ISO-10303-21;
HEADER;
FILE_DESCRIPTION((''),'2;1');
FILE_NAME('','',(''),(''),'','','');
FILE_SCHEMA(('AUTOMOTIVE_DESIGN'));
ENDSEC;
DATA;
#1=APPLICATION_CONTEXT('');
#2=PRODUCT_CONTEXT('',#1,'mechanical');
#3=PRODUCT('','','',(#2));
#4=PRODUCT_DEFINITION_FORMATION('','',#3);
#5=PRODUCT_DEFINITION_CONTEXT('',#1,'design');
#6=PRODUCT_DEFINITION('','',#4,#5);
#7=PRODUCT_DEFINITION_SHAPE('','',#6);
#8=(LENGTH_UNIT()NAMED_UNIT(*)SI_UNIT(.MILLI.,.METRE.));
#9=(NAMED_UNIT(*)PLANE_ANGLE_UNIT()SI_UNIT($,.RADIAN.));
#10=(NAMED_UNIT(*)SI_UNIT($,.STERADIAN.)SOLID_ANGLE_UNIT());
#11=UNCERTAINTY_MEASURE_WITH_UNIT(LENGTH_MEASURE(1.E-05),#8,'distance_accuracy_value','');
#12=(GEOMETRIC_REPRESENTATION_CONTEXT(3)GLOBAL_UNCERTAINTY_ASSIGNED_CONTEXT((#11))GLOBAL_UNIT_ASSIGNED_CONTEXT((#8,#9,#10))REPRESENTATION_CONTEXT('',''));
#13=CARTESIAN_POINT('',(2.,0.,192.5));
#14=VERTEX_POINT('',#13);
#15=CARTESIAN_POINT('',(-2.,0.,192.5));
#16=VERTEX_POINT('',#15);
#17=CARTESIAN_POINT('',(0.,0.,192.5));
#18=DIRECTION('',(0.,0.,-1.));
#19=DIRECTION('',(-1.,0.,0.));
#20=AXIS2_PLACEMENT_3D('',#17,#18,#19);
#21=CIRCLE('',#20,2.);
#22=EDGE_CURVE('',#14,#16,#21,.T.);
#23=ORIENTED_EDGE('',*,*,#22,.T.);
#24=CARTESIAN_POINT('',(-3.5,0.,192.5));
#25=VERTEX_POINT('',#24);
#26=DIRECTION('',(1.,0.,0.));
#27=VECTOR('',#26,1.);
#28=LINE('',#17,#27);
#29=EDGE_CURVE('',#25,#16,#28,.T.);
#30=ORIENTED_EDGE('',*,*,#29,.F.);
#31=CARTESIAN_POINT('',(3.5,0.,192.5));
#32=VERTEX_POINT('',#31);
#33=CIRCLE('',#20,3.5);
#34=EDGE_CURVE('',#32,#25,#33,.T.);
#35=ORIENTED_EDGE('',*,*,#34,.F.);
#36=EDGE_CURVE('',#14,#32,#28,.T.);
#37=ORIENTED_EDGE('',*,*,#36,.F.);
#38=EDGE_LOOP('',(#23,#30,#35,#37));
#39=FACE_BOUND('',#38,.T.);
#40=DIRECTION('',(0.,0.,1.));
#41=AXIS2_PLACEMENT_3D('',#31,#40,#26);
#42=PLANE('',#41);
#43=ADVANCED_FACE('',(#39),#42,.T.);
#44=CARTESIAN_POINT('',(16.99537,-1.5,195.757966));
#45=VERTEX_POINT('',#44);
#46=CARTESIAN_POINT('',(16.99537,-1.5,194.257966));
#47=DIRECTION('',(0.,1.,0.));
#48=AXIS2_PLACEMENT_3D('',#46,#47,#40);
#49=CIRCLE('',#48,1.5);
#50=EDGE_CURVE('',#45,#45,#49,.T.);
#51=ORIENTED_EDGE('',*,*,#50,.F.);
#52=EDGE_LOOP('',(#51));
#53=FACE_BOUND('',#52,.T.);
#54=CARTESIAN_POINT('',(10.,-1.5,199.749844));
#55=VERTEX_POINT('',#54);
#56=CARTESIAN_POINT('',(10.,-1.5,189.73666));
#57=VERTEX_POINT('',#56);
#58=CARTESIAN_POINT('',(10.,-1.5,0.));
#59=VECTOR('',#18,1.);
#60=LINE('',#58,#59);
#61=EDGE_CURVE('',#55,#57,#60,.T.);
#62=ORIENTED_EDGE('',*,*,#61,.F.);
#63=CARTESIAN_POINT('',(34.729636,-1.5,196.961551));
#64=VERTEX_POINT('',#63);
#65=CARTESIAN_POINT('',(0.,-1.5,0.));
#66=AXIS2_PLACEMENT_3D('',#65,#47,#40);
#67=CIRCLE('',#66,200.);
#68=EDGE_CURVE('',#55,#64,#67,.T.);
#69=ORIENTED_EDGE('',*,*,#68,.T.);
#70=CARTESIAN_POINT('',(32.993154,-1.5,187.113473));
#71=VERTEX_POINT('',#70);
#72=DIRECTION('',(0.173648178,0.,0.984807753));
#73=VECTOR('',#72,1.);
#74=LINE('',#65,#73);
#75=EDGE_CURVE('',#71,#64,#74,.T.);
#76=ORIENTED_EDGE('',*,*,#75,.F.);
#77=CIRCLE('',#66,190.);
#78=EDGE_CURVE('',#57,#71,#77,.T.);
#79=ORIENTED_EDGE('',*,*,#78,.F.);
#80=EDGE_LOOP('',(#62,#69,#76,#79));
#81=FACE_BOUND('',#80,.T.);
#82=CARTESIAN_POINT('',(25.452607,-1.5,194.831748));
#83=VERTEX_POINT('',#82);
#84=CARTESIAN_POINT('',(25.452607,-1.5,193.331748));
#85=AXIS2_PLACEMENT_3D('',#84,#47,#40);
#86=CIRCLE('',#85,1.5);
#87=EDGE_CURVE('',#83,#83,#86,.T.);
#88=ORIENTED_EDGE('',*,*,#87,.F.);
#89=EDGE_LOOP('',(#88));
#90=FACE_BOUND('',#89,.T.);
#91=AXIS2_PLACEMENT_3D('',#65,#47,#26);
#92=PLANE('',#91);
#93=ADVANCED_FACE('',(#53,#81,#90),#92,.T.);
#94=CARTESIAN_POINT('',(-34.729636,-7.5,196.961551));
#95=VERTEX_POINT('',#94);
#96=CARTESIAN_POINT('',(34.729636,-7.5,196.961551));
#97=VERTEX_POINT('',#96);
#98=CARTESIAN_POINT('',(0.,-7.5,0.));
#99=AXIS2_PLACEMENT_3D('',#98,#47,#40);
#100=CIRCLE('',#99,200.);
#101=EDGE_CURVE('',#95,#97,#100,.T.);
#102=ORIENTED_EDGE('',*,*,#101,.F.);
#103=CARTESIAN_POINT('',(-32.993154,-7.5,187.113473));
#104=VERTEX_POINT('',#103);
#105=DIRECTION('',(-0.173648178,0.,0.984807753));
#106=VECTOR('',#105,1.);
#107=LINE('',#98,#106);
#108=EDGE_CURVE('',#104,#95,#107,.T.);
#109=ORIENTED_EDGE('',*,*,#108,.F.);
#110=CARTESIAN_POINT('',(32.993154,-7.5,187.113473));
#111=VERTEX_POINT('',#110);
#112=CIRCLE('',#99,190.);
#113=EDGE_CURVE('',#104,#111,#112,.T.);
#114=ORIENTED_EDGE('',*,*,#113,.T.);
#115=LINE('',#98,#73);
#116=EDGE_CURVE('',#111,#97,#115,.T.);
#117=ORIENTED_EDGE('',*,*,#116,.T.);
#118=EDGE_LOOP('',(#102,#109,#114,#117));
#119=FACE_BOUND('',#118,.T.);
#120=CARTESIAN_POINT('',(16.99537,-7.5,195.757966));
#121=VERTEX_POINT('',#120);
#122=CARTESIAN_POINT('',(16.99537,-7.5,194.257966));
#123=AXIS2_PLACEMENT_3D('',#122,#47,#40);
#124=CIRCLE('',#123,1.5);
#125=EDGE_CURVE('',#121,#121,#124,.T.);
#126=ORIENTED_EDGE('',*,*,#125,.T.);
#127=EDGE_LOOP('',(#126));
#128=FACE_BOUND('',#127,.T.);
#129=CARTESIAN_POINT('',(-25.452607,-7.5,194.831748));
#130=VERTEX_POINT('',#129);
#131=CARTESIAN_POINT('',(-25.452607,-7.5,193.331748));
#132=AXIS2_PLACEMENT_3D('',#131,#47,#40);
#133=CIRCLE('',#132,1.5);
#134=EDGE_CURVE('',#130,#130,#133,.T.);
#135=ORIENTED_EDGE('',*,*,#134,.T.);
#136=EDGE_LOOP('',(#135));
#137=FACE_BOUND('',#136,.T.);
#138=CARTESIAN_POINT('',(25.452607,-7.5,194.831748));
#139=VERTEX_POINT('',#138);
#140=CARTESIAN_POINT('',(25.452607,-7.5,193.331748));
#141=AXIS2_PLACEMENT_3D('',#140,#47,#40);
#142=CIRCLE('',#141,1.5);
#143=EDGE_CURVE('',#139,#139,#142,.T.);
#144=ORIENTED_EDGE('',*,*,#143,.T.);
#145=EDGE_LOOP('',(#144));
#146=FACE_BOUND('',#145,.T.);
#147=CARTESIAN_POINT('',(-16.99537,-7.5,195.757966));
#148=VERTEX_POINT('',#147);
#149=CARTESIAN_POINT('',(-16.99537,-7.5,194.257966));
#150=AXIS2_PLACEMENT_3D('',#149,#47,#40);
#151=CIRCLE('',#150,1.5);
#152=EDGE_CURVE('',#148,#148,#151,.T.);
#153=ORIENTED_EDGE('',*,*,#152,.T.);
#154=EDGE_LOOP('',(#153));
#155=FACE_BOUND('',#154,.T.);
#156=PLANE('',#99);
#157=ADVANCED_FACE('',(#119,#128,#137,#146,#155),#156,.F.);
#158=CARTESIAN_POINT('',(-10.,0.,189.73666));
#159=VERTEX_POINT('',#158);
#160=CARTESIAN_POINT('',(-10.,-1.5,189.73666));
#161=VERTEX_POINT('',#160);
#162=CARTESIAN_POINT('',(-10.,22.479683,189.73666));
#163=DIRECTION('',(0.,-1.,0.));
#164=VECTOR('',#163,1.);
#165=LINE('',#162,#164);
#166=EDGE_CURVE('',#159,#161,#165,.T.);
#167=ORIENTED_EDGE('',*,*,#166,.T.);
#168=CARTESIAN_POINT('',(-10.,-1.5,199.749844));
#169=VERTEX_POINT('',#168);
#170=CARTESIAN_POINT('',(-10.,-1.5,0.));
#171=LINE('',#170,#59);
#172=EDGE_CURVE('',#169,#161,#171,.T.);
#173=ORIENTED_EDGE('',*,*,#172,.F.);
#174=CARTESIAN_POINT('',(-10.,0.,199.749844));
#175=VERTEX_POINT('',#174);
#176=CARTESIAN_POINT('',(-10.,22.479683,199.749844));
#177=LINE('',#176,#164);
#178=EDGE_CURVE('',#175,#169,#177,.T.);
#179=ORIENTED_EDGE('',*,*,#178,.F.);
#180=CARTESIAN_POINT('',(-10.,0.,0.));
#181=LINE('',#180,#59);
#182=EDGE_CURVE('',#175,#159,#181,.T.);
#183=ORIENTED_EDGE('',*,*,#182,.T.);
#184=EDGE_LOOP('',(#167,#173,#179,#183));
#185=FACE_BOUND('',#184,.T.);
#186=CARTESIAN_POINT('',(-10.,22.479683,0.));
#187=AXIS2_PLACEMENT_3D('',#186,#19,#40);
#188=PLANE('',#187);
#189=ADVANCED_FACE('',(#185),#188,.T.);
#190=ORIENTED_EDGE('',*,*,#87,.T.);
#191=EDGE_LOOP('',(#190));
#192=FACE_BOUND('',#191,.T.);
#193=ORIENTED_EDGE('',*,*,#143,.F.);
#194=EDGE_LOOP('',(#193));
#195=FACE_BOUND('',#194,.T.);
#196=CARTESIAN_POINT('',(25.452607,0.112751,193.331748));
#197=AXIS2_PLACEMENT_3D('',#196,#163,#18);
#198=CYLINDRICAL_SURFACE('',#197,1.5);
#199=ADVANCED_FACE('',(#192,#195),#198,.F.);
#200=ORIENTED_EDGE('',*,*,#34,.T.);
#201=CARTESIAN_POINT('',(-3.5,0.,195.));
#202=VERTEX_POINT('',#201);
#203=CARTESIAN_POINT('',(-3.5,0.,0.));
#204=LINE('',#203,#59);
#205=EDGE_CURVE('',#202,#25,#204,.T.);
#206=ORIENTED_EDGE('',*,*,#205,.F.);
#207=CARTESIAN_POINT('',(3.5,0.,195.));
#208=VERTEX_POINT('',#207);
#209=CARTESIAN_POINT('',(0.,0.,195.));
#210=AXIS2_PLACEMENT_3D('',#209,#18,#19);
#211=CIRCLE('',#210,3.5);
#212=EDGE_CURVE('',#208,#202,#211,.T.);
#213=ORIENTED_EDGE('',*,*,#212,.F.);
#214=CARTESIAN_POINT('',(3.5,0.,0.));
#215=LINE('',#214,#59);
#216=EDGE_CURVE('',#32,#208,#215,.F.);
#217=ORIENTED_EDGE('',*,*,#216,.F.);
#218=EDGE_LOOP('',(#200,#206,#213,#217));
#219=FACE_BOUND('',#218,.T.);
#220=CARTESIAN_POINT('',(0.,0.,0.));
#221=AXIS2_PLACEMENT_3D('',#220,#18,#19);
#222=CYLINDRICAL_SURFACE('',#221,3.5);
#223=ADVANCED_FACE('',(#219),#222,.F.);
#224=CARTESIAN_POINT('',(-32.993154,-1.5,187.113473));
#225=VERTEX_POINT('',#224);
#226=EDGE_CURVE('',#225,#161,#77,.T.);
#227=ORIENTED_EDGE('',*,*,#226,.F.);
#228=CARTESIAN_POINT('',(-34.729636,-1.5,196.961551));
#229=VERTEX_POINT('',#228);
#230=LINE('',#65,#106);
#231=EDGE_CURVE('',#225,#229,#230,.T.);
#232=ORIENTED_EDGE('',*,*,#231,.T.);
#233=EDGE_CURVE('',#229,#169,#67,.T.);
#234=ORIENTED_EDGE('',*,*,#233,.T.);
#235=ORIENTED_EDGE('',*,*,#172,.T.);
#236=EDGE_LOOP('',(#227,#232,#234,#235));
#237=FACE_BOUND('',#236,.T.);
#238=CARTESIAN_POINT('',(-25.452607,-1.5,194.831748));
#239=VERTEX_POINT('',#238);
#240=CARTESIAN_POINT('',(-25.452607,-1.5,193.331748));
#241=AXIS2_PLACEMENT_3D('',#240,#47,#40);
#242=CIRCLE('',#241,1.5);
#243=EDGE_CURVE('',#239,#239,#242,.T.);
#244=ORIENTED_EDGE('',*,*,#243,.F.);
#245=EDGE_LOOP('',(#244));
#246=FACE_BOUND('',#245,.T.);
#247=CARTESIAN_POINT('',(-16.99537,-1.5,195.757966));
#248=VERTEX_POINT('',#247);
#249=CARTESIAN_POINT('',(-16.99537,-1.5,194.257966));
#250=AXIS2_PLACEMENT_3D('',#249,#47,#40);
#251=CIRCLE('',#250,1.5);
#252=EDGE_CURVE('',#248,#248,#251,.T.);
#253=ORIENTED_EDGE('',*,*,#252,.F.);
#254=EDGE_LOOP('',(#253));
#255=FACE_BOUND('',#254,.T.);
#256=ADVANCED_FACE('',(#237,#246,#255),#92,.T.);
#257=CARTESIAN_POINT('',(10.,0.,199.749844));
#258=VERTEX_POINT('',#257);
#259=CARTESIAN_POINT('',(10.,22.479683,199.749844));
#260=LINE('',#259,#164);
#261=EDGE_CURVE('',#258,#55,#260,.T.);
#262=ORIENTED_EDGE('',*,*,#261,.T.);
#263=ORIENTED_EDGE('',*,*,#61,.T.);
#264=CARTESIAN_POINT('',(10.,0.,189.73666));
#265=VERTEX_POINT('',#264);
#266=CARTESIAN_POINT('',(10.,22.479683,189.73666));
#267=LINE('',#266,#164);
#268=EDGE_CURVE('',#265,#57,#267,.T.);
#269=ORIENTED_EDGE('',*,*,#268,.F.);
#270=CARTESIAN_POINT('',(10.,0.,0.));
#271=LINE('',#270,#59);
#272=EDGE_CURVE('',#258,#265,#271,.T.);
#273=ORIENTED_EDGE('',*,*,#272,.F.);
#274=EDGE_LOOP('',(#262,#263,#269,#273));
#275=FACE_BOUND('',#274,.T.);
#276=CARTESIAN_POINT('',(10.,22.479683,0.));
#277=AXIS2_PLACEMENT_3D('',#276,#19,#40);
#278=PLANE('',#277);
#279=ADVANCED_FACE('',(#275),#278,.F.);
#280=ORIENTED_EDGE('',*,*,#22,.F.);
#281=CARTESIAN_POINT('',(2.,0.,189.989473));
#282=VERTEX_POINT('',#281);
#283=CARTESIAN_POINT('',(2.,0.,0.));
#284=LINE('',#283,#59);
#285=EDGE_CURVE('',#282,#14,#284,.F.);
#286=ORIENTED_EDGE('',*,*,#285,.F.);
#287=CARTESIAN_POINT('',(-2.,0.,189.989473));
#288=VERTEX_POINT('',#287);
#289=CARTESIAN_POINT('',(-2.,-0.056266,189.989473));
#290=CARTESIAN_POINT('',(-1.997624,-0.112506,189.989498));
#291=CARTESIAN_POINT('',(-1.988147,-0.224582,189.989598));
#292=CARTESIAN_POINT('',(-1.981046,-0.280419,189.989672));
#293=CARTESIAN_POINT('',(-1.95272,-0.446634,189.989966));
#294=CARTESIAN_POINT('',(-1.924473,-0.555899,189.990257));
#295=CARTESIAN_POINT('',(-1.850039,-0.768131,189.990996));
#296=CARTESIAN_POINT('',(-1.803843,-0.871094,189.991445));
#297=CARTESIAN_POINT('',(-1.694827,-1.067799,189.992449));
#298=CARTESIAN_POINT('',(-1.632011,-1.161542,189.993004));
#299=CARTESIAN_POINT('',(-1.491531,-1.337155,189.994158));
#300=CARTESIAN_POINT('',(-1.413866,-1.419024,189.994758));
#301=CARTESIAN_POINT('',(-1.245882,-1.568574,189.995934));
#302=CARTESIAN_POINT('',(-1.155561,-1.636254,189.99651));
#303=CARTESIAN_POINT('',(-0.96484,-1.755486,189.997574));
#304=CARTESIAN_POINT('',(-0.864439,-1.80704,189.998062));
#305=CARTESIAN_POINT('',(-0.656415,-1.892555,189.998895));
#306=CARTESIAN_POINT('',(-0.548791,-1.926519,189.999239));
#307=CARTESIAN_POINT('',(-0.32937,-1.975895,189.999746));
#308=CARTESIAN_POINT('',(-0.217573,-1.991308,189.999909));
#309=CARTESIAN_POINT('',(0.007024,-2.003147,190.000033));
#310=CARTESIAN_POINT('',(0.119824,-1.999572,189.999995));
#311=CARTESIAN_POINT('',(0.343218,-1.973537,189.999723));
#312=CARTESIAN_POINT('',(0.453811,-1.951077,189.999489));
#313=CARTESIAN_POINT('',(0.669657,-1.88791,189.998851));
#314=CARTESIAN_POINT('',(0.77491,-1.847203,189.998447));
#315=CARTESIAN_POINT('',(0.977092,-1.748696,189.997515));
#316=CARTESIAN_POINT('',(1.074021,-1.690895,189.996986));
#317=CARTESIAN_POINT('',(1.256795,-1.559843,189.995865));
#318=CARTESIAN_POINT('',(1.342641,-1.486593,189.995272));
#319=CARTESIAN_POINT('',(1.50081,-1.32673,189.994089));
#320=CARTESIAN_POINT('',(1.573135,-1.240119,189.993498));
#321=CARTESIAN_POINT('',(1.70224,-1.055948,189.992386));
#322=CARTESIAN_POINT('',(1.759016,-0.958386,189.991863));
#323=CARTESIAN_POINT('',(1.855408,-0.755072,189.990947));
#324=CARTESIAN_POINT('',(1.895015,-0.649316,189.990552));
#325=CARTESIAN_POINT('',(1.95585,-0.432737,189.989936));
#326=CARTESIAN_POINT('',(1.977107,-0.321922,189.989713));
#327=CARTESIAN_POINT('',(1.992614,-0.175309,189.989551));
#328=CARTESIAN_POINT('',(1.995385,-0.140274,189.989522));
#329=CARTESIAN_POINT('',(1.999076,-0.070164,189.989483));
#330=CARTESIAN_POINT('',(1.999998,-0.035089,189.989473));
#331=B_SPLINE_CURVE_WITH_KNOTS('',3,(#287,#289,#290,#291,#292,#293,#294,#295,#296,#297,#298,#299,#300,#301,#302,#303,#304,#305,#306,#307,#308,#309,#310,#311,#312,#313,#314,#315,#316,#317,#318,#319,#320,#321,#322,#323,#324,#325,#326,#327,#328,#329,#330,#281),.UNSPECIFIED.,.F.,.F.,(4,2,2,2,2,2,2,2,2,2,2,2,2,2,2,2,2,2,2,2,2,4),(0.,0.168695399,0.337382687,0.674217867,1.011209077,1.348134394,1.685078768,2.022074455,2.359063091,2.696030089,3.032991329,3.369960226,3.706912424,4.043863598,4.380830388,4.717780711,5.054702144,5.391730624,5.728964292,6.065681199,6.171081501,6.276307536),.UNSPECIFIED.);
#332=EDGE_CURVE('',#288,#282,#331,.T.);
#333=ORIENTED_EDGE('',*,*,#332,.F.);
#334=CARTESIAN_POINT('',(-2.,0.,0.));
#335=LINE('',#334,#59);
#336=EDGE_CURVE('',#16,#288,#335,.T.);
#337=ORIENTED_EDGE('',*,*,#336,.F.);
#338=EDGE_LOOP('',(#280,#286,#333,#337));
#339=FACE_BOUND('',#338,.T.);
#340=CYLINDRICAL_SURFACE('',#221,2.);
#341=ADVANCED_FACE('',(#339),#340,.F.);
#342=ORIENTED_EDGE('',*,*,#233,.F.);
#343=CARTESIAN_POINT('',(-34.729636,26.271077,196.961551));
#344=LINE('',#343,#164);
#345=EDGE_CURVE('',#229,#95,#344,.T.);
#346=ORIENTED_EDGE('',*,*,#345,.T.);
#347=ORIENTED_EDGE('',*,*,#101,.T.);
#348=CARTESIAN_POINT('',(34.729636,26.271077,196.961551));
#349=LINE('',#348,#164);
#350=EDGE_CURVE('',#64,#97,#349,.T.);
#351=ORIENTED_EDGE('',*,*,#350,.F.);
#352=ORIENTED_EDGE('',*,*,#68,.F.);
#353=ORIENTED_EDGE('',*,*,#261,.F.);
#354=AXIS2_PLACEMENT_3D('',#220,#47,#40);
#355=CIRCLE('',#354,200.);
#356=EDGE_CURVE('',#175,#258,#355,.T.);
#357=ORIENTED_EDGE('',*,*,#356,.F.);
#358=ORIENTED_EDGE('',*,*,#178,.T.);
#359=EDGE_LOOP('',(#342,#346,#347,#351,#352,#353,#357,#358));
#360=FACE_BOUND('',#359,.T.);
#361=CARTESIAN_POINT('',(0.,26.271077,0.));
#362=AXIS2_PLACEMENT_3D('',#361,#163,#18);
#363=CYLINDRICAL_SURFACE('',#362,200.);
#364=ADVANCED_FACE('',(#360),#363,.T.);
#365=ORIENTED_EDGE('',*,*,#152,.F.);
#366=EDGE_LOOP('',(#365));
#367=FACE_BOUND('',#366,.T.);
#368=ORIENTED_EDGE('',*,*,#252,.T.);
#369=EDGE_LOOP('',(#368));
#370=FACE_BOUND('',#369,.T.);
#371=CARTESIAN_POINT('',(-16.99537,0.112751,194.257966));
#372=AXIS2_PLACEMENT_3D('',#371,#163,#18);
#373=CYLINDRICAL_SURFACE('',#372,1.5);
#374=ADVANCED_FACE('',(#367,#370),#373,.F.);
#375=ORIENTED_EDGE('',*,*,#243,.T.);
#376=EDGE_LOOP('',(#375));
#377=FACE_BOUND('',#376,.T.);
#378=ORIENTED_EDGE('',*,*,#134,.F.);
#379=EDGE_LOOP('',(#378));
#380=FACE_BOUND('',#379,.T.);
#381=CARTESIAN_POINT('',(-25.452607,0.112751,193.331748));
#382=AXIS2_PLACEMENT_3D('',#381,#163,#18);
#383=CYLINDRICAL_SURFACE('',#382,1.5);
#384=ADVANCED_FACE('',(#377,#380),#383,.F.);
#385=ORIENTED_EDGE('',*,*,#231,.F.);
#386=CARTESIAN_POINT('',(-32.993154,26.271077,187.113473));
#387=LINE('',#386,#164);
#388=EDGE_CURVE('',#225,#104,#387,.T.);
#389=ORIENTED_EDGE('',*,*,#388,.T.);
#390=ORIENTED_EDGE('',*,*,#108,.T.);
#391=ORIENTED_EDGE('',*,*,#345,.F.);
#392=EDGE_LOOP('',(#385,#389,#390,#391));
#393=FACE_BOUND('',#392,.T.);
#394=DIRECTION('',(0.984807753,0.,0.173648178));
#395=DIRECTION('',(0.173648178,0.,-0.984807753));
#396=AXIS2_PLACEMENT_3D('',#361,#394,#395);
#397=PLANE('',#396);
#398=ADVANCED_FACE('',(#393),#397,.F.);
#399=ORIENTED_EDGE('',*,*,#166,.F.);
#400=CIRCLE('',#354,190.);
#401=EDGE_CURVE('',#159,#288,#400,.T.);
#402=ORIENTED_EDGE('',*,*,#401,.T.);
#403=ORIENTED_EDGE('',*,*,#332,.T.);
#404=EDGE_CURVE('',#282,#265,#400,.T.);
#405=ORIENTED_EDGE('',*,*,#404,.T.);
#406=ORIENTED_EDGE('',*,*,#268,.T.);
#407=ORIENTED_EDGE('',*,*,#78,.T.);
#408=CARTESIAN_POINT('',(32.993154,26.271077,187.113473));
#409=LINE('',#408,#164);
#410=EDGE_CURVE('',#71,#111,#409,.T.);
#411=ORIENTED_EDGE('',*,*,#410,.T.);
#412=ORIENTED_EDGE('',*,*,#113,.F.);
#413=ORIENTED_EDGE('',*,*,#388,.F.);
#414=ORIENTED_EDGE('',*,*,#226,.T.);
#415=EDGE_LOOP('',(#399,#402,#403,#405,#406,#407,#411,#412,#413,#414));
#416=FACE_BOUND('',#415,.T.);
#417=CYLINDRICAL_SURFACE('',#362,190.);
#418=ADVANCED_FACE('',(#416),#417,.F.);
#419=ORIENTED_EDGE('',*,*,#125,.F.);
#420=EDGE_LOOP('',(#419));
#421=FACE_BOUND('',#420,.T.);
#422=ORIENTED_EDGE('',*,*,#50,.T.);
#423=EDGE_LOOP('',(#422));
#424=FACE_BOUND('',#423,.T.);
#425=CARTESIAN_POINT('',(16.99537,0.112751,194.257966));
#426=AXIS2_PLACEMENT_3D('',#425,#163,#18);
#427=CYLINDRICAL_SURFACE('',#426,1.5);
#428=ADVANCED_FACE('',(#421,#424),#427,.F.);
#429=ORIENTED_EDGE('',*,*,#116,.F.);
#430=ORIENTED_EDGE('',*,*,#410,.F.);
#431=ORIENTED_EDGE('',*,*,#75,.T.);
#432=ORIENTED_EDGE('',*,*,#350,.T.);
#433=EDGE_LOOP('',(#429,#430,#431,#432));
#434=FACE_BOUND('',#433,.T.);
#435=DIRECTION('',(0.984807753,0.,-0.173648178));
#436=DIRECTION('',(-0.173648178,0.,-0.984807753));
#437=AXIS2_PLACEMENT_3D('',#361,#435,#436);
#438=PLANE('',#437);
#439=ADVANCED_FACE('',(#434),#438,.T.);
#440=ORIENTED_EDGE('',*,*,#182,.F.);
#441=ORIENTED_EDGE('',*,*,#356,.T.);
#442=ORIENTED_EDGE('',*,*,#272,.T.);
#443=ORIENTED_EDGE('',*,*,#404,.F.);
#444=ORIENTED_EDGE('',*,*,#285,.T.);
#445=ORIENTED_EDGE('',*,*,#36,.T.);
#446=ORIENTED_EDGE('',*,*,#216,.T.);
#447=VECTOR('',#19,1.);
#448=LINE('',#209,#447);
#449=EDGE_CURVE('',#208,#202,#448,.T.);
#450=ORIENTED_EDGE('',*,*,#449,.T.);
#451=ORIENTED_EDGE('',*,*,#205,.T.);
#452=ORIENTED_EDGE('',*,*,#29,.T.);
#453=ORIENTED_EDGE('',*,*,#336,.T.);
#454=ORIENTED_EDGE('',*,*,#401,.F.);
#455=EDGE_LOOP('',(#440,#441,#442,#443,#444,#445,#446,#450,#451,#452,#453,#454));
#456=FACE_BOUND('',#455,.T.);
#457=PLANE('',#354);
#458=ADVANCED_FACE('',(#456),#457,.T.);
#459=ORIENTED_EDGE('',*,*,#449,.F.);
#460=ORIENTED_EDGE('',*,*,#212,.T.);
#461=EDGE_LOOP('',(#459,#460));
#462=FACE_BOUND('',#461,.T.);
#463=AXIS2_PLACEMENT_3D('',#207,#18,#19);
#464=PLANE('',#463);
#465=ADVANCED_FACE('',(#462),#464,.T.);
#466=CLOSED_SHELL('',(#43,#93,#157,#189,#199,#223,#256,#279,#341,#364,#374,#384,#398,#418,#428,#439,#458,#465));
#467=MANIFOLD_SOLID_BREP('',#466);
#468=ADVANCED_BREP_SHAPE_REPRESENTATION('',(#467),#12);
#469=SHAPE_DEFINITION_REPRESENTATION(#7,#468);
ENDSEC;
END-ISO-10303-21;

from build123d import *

# Parameters (mm, degrees)
BOSS_EXTRUDE3_DEPTH     = 6
BOSS_EXTRUDE3_2_DEPTH   = 6
BOSS_EXTRUDE4_DEPTH     = 7.5
CUT_EXTRUDE1_DEPTH      = 204.131478569
CUT_EXTRUDE1_DEPTH_BACK = 204.131478569
SKETCH4_R               = 1.5


with BuildPart() as part:
    # Sketch2 → Boss-Extrude3 (new body)
    with BuildSketch(Plane(origin=(0, -7.5, 0), x_dir=(1, 0, 0), z_dir=(0, 1, 0))):
        with BuildLine():
            ThreePointArc((-10, -189.73665961), (-21.536552519, -188.775466906), (-32.993153757, -187.113473072))
            Line((-32.993153757, -187.113473072), (-34.729635533, -196.961550602))
            ThreePointArc((-34.729635533, -196.961550602), (-22.408228804, -198.7407137), (-10, -199.749843554))
            Line((-10, -199.749843554), (-10, -189.73665961))
        make_face()
    extrude(amount=BOSS_EXTRUDE3_DEPTH)



with BuildPart() as body_2:
    # Sketch2 → Boss-Extrude3 2 (new body)
    with BuildSketch(Plane(origin=(0, -7.5, 0), x_dir=(1, 0, 0), z_dir=(0, 1, 0))):
        with BuildLine():
            ThreePointArc((32.993153757, -187.113473072), (21.536552519, -188.775466906), (10, -189.73665961))
            Line((10, -189.73665961), (10, -199.749843554))
            ThreePointArc((10, -199.749843554), (22.408228804, -198.7407137), (34.729635533, -196.961550602))
            Line((34.729635533, -196.961550602), (32.993153757, -187.113473072))
        make_face()
    extrude(amount=BOSS_EXTRUDE3_2_DEPTH)


with BuildPart() as part_1:
    add(part.part)

    add(body_2.part)  # Boss-Extrude4 merges body 2
    # Sketch2<3> → Boss-Extrude4 (add)
    with BuildSketch(Plane(origin=(0, -7.5, 0), x_dir=(1, 0, 0), z_dir=(0, 1, 0))):
        with BuildLine():
            ThreePointArc((10, -189.73665961), (0, -190), (-10, -189.73665961))
            Line((-10, -189.73665961), (-10, -199.749843554))
            ThreePointArc((-10, -199.749843554), (0, -200), (10, -199.749843554))
            Line((10, -199.749843554), (10, -189.73665961))
        make_face()
    extrude(amount=BOSS_EXTRUDE4_DEPTH)

    # Sketch3 → hole (revolve, cut)
    with BuildSketch(Plane(origin=(0, 0, 0), x_dir=(1, 0, 0), z_dir=(0, 1, 0))):
        Polygon((3.5, -192.5), (2, -192.5), (2, -180), (0, -180), (0, -195), (3.5, -195), align=None)
    revolve(axis=Axis((0, 0, 0), (0, 0, 1)), mode=Mode.SUBTRACT)

    # Sketch4 → Cut-Extrude1 (cut, two sides: drawn at the far end of the back side and taken through both)
    with BuildSketch(Plane.XZ.offset(7.5).offset(-CUT_EXTRUDE1_DEPTH_BACK)):
        with Locations(Location((25.452607483, 193.331747968, 0), (0, 0, 90))):
            Circle(SKETCH4_R)
        with Locations(Location((16.995369836, 194.257966128, 0), (0, 0, 90))):
            Circle(SKETCH4_R)
        with Locations(Location((-25.452607483, 193.331747968, 0), (0, 0, 90))):
            Circle(SKETCH4_R)
        with Locations(Location((-16.995369836, 194.257966128, 0), (0, 0, 90))):
            Circle(SKETCH4_R)
    extrude(amount=CUT_EXTRUDE1_DEPTH + CUT_EXTRUDE1_DEPTH_BACK, mode=Mode.SUBTRACT)


solid = part_1.part
